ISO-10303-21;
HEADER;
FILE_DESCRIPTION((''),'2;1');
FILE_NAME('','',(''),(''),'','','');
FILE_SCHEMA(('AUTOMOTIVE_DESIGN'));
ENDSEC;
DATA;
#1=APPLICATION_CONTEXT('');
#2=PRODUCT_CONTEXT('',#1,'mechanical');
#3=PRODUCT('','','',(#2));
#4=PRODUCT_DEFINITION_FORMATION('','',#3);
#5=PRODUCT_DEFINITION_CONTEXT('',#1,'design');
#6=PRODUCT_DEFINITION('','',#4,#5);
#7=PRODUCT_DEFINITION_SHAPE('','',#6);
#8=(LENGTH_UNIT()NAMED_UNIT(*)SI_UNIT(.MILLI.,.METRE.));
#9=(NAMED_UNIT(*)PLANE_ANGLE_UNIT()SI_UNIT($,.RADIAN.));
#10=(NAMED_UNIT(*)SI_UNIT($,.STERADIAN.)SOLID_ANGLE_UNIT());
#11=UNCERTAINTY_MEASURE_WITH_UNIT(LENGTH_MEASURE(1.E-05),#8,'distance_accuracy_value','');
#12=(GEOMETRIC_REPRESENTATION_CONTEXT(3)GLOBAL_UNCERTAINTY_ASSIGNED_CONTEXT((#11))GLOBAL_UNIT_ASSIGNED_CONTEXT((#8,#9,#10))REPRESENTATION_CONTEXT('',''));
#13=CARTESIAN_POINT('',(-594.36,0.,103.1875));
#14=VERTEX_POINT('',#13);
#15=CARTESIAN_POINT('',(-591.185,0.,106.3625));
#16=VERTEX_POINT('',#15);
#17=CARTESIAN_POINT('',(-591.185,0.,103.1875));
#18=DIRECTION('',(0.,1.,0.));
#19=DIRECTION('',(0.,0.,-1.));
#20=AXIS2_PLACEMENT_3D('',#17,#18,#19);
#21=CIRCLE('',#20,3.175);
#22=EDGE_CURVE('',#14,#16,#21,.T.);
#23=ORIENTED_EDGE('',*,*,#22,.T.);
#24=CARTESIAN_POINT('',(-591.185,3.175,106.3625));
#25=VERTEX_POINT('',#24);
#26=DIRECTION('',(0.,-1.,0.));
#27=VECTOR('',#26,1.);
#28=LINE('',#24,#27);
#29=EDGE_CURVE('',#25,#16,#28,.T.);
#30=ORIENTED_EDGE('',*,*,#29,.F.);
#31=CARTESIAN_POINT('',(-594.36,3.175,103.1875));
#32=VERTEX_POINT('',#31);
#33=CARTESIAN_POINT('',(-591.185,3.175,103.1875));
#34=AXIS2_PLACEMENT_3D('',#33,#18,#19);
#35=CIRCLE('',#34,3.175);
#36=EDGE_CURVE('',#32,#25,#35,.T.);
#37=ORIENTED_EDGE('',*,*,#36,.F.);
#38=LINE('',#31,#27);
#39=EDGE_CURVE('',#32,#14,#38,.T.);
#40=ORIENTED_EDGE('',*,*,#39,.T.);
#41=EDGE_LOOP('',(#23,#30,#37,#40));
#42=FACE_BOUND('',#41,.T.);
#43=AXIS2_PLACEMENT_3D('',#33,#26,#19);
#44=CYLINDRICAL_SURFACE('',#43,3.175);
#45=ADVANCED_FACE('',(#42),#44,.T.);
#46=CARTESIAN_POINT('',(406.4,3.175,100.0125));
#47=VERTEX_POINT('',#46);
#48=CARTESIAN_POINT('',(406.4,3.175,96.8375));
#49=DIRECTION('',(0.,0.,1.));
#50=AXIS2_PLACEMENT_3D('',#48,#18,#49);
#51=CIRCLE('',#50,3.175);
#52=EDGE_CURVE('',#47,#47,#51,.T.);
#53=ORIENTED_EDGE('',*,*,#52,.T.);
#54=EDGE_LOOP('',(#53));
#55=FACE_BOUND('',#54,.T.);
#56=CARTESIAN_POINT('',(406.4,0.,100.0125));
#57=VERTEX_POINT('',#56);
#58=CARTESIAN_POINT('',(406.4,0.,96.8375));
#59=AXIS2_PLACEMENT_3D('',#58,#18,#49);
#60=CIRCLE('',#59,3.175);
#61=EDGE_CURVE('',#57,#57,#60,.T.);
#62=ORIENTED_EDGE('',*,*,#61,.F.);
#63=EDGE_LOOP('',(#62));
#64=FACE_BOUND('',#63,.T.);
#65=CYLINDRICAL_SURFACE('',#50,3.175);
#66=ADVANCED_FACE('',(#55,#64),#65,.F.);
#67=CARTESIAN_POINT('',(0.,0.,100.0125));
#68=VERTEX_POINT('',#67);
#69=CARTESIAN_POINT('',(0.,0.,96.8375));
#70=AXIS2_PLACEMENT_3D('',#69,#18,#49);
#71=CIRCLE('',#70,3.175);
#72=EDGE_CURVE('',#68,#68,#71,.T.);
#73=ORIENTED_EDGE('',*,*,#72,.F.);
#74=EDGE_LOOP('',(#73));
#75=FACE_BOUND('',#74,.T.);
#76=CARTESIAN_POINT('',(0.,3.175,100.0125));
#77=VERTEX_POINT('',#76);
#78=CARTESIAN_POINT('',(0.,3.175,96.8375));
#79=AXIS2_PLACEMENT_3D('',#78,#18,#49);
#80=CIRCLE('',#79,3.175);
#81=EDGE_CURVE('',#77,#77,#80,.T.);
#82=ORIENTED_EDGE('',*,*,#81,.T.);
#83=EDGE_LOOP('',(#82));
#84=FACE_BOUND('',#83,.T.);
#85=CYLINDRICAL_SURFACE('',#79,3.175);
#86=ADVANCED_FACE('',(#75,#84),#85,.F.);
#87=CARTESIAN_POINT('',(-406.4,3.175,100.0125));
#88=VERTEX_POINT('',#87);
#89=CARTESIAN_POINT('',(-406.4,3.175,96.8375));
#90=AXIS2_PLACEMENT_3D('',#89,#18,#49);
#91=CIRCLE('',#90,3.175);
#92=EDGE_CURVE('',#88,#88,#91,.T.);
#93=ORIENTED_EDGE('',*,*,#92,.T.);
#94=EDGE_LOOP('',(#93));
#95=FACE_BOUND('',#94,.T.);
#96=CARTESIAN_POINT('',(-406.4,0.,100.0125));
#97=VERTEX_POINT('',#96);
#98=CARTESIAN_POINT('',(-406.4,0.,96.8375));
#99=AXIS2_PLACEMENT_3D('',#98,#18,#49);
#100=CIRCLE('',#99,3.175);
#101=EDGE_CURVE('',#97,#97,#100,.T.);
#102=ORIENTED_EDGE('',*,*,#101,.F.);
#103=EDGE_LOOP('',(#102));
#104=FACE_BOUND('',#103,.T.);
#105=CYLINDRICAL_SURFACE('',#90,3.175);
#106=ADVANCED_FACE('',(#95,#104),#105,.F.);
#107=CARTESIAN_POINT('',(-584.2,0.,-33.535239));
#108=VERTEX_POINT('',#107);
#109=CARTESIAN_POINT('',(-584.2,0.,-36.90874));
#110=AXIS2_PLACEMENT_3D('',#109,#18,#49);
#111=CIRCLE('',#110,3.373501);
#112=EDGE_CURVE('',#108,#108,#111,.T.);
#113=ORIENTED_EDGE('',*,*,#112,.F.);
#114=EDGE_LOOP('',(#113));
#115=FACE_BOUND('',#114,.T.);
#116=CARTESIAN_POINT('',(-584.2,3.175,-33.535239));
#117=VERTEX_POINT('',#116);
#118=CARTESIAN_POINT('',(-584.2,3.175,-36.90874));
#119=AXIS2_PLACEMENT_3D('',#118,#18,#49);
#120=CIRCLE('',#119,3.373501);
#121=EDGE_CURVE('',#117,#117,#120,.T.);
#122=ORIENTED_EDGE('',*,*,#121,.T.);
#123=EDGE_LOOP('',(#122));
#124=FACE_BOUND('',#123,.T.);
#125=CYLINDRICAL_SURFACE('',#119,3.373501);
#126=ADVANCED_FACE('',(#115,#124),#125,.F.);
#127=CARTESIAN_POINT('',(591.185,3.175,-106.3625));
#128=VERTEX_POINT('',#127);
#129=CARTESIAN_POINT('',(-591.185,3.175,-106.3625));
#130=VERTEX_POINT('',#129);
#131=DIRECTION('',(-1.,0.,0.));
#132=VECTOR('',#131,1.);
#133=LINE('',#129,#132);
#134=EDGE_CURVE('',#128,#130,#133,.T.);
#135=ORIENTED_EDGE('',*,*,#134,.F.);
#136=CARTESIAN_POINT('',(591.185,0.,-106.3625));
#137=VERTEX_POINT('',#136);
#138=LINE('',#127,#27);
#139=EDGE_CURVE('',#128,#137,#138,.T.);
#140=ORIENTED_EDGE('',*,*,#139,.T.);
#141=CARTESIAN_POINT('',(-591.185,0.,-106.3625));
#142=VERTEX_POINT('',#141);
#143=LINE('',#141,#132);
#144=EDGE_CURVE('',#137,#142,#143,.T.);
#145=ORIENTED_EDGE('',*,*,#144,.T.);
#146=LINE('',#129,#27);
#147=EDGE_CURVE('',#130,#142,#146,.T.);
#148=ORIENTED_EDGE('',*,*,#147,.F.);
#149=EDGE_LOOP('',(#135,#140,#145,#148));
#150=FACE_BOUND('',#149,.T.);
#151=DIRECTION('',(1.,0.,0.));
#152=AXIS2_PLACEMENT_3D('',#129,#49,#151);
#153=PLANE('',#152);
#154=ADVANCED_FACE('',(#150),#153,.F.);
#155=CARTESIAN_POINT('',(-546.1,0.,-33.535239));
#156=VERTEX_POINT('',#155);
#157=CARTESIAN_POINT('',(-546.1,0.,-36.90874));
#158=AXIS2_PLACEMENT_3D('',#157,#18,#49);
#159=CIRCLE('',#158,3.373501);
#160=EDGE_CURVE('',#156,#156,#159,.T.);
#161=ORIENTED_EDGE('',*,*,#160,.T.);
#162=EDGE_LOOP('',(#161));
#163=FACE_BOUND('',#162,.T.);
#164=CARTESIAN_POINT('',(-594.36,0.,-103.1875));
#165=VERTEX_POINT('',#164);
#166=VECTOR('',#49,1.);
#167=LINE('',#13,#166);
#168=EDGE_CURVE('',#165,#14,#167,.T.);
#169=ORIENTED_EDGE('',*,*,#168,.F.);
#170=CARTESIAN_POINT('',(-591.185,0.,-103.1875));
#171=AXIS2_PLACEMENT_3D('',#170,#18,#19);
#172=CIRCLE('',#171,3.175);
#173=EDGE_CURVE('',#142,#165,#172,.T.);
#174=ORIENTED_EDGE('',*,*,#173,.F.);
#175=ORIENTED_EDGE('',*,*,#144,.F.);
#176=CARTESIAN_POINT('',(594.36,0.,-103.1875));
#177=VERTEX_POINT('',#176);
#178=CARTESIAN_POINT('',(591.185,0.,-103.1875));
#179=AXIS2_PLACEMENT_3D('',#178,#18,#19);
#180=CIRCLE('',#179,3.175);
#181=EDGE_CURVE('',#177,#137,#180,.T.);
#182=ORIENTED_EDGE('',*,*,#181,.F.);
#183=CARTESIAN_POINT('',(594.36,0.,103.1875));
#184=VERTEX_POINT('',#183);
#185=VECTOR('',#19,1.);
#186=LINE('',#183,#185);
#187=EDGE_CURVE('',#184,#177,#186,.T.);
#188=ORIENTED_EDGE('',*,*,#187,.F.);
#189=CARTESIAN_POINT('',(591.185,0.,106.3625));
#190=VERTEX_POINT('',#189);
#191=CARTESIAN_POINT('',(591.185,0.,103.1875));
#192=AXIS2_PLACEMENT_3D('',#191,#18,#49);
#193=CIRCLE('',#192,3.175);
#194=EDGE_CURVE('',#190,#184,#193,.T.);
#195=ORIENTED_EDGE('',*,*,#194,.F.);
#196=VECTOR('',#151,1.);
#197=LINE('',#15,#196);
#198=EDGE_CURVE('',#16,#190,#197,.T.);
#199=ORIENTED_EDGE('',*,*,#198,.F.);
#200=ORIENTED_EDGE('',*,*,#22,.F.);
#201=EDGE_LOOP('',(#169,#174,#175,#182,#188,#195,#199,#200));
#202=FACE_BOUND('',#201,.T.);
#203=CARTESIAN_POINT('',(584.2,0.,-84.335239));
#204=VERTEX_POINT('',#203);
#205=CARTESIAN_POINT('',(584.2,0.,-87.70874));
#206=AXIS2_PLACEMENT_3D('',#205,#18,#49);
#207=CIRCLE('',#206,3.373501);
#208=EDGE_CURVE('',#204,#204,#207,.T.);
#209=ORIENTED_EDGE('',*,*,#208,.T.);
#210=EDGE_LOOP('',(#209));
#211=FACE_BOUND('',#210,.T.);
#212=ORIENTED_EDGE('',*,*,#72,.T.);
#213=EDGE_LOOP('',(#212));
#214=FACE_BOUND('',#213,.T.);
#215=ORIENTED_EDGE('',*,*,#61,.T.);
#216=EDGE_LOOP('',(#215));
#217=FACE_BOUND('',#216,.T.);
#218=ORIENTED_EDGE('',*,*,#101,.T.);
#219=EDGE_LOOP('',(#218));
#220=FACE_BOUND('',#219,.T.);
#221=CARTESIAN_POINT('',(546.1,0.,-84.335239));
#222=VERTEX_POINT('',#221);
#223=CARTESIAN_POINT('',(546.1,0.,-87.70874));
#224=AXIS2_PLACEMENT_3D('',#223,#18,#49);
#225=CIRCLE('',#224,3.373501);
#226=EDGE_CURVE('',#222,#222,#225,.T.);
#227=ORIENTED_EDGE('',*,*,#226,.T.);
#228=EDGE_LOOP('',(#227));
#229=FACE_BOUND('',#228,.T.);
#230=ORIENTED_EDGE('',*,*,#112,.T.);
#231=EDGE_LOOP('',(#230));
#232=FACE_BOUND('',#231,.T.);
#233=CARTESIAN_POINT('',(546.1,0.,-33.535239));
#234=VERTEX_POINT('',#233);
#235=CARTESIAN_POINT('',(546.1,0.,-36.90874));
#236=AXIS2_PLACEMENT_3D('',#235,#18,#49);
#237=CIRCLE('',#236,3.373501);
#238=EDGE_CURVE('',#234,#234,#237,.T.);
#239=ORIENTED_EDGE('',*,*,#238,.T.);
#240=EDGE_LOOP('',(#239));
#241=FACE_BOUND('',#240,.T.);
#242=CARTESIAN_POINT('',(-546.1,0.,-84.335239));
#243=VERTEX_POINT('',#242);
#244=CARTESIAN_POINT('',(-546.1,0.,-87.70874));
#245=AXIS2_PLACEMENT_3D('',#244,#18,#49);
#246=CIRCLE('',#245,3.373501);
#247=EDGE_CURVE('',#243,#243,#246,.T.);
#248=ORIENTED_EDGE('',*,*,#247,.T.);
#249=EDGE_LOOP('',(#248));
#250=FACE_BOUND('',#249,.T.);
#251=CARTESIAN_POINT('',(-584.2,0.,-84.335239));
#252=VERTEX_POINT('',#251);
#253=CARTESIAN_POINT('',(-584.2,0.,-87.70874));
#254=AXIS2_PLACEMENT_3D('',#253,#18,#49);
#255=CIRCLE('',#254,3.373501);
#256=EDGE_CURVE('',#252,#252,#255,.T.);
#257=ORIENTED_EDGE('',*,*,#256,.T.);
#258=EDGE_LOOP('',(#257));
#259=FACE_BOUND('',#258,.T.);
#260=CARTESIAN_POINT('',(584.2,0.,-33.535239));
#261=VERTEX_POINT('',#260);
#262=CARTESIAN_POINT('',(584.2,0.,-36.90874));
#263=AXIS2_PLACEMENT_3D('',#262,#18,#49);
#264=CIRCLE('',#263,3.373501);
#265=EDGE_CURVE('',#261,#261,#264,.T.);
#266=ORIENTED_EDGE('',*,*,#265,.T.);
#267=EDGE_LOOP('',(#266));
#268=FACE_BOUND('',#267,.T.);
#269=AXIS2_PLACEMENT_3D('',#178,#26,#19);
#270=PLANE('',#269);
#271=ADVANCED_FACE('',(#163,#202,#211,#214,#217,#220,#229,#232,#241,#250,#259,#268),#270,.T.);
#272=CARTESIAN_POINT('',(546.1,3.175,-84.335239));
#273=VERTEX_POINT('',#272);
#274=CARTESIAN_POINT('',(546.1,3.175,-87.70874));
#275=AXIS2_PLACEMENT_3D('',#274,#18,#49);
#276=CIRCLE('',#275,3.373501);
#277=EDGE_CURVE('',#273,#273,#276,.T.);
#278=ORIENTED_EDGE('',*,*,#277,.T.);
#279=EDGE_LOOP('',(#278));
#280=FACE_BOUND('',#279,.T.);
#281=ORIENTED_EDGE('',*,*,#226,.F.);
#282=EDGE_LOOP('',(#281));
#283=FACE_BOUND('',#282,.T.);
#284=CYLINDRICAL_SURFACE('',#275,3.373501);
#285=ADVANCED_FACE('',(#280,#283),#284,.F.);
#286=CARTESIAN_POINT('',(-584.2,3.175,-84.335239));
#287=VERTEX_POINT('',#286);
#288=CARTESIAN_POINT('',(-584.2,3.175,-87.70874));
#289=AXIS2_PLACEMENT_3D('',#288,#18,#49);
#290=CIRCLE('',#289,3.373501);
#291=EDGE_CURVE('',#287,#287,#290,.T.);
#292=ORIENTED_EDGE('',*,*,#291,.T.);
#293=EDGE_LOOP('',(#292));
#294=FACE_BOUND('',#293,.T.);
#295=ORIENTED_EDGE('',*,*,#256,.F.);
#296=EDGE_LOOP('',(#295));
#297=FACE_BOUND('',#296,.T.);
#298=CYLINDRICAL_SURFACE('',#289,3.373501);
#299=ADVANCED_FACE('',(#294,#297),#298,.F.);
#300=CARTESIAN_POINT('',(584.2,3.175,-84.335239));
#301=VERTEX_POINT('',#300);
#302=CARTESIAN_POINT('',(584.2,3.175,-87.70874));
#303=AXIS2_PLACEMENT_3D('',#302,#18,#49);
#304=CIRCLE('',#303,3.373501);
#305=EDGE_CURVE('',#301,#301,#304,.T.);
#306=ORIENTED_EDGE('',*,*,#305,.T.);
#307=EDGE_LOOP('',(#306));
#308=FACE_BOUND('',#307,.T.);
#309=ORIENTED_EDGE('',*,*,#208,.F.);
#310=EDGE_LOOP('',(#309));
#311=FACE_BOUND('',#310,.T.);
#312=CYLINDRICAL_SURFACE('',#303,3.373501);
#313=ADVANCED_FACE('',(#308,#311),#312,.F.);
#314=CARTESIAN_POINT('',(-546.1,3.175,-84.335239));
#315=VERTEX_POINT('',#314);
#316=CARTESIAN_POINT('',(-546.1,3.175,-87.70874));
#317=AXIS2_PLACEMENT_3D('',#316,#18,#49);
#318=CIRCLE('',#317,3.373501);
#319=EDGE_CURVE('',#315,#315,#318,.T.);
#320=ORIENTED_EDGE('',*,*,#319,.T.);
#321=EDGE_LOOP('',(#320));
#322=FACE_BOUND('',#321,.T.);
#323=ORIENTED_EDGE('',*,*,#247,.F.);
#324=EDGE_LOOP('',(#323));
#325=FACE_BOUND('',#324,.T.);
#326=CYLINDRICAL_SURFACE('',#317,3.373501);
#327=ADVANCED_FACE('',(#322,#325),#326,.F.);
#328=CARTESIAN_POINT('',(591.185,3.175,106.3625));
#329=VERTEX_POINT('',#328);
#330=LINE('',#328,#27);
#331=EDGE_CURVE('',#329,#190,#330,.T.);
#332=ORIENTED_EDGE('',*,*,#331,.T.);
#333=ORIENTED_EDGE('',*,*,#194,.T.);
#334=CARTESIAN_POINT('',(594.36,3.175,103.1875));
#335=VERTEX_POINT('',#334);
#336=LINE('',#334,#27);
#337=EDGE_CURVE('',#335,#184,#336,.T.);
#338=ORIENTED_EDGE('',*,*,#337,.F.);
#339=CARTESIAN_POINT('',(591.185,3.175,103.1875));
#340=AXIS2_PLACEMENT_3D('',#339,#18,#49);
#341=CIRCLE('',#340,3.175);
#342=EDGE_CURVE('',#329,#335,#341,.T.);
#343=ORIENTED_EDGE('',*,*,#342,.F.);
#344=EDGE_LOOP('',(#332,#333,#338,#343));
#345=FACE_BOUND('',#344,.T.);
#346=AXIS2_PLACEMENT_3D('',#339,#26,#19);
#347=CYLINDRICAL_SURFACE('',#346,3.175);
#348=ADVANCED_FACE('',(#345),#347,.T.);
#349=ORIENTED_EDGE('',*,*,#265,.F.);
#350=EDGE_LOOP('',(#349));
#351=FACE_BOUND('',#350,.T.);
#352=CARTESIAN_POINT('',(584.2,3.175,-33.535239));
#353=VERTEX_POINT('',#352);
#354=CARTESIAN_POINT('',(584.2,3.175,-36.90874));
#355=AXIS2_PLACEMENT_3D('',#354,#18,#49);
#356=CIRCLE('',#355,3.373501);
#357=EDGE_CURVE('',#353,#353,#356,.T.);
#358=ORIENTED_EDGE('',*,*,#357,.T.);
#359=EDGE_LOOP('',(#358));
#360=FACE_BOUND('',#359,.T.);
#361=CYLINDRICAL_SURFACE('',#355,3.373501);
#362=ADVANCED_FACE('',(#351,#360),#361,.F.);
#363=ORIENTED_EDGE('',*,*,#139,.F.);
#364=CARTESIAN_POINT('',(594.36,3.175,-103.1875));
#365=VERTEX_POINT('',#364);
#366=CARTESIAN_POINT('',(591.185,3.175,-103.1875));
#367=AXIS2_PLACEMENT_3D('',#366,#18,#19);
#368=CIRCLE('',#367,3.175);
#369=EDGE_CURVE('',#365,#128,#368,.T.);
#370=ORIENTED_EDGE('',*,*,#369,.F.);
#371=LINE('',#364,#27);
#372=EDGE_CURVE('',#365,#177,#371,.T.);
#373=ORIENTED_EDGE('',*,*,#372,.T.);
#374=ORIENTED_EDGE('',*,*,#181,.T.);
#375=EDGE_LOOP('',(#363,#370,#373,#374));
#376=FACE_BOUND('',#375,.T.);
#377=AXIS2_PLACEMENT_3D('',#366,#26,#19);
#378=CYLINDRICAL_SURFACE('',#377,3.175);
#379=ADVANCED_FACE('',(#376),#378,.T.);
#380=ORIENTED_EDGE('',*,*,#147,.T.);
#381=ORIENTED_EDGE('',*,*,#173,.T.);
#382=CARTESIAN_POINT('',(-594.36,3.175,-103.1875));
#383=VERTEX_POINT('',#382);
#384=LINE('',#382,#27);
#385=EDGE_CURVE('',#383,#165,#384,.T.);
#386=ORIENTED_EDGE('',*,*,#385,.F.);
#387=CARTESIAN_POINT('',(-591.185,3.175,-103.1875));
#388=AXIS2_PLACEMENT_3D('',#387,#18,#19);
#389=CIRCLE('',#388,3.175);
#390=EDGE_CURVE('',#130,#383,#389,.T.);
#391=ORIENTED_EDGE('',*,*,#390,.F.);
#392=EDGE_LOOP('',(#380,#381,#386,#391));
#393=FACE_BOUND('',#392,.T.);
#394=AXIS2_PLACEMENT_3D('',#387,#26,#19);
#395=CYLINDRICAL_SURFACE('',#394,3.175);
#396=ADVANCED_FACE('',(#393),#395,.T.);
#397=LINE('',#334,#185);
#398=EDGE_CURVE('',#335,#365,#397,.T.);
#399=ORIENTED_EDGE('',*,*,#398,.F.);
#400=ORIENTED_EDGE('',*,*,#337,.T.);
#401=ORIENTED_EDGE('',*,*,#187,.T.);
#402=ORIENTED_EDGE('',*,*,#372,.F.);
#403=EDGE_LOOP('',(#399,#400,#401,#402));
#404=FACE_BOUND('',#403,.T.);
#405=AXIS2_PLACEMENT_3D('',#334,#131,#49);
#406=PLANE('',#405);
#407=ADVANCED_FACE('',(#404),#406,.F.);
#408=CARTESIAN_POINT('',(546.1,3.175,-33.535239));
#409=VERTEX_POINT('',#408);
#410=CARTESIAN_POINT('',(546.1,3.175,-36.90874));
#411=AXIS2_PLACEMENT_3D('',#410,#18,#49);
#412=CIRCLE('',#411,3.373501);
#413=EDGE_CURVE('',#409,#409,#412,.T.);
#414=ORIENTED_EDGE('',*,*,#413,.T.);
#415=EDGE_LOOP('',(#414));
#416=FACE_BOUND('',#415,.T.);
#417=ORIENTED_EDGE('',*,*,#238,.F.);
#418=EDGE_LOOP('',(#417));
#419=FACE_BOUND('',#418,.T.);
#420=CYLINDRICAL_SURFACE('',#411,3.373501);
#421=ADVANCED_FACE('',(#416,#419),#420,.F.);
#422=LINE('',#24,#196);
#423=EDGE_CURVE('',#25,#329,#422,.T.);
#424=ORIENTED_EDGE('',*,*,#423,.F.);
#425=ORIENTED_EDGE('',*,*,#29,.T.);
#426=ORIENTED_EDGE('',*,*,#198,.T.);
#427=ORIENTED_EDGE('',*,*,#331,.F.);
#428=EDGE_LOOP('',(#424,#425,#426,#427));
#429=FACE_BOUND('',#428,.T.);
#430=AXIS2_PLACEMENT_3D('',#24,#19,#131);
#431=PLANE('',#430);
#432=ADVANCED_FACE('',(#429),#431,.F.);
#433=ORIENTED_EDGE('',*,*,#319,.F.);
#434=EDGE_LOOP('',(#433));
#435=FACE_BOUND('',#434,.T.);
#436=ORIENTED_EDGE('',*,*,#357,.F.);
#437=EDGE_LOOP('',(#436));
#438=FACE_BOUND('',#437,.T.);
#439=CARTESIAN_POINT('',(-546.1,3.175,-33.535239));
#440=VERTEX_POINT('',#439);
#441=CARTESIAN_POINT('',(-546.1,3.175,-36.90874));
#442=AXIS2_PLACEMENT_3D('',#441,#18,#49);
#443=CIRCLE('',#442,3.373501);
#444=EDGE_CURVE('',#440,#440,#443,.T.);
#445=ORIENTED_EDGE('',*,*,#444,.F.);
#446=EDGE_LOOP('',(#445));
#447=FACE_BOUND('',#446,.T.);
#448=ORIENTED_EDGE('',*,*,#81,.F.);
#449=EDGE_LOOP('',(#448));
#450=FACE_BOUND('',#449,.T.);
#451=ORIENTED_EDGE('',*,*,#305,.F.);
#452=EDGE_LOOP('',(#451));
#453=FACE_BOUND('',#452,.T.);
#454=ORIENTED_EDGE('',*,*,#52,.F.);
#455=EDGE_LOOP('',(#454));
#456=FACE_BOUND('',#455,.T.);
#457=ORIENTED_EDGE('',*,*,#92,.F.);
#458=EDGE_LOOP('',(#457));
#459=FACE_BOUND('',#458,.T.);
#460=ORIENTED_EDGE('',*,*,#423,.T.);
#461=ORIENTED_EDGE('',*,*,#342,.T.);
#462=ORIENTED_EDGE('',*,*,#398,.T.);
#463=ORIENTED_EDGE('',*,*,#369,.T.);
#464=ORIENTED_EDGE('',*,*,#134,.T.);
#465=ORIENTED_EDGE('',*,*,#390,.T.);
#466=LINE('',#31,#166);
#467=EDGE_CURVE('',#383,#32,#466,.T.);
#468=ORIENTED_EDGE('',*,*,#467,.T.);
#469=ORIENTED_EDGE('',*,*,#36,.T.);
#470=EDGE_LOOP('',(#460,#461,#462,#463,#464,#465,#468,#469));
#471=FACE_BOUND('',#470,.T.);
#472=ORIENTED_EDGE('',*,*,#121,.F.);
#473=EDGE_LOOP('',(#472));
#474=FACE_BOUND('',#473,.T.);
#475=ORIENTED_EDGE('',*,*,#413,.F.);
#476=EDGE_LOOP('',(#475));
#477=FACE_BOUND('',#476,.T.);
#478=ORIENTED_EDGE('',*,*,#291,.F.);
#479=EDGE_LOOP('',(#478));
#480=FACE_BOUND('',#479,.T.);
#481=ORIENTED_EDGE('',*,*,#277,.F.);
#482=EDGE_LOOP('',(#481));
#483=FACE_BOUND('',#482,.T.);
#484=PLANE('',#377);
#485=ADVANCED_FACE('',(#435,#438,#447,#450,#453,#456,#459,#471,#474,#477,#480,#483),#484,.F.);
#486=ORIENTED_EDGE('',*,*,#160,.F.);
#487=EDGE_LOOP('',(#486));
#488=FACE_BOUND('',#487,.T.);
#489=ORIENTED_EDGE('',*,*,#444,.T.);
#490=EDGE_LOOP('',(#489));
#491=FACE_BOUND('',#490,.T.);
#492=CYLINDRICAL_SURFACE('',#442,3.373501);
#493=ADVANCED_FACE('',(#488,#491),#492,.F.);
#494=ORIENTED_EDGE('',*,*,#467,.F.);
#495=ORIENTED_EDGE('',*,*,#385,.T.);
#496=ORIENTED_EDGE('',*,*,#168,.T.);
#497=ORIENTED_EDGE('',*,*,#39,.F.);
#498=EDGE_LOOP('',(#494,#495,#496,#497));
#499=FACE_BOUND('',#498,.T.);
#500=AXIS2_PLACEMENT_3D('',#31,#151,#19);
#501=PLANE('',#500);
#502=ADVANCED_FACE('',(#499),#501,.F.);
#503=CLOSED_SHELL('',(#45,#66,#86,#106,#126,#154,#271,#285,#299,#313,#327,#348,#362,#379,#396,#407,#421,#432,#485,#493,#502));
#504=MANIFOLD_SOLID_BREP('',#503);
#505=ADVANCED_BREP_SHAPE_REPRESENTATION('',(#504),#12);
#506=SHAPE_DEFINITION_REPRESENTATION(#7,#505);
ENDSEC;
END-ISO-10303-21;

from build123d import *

# Parameters (mm, degrees)
BOSS_EXTRUDE1_DEPTH              = 3.175
F_1_4_0_25_DIAMETER_HOLE1_D      = 6.35
F_17_64_0_26563_DIAMETER_HOLE2_D = 6.747002


with BuildPart() as part:
    # Sketch1 → Boss-Extrude1 (new body)
    with BuildSketch(Plane(origin=(0, 0, 0), x_dir=(1, 0, 0), z_dir=(0, 1, 0))):
        with BuildLine():
            Line((-591.185, -106.3625), (591.185, -106.3625))
            ThreePointArc((591.185, -106.3625), (593.43006403, -105.43256403), (594.36, -103.1875))
            Line((594.36, -103.1875), (594.36, 103.1875))
            ThreePointArc((594.36, 103.1875), (593.43006403, 105.43256403), (591.185, 106.3625))
            Line((591.185, 106.3625), (-591.185, 106.3625))
            ThreePointArc((-591.185, 106.3625), (-593.43006403, 105.43256403), (-594.36, 103.1875))
            Line((-594.36, 103.1875), (-594.36, -103.1875))
            ThreePointArc((-594.36, -103.1875), (-593.43006403, -105.43256403), (-591.185, -106.3625))
        make_face()
    extrude(amount=BOSS_EXTRUDE1_DEPTH)

    # 1/4 (0.25) Diameter Hole1 (through all)
    with Locations(Plane(origin=(0, 3.175, 0), x_dir=(1, 0, 0), z_dir=(0, 1, 0))):
        with Locations((0, -96.8375), (-406.4, -96.8375), (406.4, -96.8375)):
            Hole(F_1_4_0_25_DIAMETER_HOLE1_D / 2)

    # 17/64 (0.26563) Diameter Hole2 (through all)
    with Locations(Plane(origin=(0, 3.175, 0), x_dir=(1, 0, 0), z_dir=(0, 1, 0))):
        with Locations((-546.1, 36.90874), (-546.1, 87.70874), (-584.2, 87.70874), (-584.2, 36.90874), (584.2, 36.90874), (546.1, 36.90874), (546.1, 87.70874), (584.2, 87.70874)):
            Hole(F_17_64_0_26563_DIAMETER_HOLE2_D / 2)


solid = part.part
